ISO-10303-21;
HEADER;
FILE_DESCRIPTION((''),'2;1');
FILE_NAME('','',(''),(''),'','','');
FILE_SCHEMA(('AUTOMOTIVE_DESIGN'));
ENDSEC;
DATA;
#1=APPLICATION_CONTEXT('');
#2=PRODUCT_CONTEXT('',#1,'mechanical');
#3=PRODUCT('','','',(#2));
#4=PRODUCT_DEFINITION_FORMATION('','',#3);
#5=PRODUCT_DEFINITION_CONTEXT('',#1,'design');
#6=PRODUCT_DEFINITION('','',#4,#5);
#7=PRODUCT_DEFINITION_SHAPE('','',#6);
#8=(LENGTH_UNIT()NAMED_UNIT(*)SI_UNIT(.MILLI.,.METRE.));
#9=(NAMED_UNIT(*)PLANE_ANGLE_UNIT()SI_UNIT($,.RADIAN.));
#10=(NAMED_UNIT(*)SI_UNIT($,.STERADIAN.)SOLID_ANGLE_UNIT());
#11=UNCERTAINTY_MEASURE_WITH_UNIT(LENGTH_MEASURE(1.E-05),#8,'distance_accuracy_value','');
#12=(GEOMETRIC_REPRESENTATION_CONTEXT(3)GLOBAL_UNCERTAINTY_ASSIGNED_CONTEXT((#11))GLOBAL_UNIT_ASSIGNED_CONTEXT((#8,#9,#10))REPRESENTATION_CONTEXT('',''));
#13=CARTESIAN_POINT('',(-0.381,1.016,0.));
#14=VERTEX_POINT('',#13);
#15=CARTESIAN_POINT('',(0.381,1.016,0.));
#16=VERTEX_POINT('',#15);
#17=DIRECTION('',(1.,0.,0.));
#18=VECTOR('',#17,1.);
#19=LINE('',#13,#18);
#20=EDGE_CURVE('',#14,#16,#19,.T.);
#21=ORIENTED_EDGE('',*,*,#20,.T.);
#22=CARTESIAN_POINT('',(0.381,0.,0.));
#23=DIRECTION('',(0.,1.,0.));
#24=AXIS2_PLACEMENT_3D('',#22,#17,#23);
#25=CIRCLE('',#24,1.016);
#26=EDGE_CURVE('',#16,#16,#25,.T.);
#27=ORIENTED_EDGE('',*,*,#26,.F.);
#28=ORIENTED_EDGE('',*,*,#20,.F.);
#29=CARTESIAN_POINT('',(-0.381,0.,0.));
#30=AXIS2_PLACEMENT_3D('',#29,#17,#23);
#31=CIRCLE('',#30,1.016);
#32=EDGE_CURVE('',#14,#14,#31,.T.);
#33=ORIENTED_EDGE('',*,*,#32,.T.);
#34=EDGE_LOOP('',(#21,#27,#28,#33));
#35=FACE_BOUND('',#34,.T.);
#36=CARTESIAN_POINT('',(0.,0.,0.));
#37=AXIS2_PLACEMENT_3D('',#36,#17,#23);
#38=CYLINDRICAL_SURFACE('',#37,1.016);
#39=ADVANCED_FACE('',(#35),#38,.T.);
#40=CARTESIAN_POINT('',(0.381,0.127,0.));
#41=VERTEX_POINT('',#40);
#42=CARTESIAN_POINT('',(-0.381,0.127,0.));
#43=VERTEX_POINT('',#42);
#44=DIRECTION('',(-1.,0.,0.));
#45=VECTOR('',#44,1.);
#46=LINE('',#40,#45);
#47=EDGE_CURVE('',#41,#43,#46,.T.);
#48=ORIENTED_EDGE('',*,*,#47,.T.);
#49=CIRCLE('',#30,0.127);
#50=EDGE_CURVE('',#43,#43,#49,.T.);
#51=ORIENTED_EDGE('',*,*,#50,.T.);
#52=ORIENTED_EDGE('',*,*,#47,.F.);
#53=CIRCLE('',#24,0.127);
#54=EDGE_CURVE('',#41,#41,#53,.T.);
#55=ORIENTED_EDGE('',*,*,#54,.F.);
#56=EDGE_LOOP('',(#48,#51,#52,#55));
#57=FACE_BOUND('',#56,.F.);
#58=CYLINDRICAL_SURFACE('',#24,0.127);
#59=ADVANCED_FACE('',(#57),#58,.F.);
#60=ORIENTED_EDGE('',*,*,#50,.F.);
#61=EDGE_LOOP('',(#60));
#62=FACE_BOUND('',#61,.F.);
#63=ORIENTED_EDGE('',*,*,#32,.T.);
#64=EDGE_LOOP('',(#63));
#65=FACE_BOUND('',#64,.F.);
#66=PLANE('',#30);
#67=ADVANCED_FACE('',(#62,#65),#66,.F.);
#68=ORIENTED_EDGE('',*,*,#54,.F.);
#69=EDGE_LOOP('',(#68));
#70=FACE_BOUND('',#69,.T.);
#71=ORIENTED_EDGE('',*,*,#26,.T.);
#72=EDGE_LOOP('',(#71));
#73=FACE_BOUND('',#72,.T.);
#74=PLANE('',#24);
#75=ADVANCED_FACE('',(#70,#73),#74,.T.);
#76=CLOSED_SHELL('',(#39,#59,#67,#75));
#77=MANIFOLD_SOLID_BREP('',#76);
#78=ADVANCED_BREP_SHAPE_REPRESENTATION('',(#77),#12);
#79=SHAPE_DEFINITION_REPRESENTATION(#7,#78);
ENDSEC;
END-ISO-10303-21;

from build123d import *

# Parameters (mm, degrees)
F0_R          = 1.016
F1_DEPTH      = 0.381
F1_DEPTH_BACK = 0.381
F2_R          = 0.127
F3_DEPTH      = 0.763


with BuildPart() as f1:
    # F0 (on Right) → F1 (new body, two sides)
    with BuildSketch(Plane.YZ) as f1_sk:
        Circle(F0_R)
    extrude(amount=F1_DEPTH)
    extrude(f1_sk.sketch, amount=-F1_DEPTH_BACK)

    # F2 (on face) → F3 (cut, through all)
    with BuildSketch(Plane.YZ.offset(0.381)):
        Circle(F2_R)
    extrude(amount=-F3_DEPTH, mode=Mode.SUBTRACT)


solid = f1.part
